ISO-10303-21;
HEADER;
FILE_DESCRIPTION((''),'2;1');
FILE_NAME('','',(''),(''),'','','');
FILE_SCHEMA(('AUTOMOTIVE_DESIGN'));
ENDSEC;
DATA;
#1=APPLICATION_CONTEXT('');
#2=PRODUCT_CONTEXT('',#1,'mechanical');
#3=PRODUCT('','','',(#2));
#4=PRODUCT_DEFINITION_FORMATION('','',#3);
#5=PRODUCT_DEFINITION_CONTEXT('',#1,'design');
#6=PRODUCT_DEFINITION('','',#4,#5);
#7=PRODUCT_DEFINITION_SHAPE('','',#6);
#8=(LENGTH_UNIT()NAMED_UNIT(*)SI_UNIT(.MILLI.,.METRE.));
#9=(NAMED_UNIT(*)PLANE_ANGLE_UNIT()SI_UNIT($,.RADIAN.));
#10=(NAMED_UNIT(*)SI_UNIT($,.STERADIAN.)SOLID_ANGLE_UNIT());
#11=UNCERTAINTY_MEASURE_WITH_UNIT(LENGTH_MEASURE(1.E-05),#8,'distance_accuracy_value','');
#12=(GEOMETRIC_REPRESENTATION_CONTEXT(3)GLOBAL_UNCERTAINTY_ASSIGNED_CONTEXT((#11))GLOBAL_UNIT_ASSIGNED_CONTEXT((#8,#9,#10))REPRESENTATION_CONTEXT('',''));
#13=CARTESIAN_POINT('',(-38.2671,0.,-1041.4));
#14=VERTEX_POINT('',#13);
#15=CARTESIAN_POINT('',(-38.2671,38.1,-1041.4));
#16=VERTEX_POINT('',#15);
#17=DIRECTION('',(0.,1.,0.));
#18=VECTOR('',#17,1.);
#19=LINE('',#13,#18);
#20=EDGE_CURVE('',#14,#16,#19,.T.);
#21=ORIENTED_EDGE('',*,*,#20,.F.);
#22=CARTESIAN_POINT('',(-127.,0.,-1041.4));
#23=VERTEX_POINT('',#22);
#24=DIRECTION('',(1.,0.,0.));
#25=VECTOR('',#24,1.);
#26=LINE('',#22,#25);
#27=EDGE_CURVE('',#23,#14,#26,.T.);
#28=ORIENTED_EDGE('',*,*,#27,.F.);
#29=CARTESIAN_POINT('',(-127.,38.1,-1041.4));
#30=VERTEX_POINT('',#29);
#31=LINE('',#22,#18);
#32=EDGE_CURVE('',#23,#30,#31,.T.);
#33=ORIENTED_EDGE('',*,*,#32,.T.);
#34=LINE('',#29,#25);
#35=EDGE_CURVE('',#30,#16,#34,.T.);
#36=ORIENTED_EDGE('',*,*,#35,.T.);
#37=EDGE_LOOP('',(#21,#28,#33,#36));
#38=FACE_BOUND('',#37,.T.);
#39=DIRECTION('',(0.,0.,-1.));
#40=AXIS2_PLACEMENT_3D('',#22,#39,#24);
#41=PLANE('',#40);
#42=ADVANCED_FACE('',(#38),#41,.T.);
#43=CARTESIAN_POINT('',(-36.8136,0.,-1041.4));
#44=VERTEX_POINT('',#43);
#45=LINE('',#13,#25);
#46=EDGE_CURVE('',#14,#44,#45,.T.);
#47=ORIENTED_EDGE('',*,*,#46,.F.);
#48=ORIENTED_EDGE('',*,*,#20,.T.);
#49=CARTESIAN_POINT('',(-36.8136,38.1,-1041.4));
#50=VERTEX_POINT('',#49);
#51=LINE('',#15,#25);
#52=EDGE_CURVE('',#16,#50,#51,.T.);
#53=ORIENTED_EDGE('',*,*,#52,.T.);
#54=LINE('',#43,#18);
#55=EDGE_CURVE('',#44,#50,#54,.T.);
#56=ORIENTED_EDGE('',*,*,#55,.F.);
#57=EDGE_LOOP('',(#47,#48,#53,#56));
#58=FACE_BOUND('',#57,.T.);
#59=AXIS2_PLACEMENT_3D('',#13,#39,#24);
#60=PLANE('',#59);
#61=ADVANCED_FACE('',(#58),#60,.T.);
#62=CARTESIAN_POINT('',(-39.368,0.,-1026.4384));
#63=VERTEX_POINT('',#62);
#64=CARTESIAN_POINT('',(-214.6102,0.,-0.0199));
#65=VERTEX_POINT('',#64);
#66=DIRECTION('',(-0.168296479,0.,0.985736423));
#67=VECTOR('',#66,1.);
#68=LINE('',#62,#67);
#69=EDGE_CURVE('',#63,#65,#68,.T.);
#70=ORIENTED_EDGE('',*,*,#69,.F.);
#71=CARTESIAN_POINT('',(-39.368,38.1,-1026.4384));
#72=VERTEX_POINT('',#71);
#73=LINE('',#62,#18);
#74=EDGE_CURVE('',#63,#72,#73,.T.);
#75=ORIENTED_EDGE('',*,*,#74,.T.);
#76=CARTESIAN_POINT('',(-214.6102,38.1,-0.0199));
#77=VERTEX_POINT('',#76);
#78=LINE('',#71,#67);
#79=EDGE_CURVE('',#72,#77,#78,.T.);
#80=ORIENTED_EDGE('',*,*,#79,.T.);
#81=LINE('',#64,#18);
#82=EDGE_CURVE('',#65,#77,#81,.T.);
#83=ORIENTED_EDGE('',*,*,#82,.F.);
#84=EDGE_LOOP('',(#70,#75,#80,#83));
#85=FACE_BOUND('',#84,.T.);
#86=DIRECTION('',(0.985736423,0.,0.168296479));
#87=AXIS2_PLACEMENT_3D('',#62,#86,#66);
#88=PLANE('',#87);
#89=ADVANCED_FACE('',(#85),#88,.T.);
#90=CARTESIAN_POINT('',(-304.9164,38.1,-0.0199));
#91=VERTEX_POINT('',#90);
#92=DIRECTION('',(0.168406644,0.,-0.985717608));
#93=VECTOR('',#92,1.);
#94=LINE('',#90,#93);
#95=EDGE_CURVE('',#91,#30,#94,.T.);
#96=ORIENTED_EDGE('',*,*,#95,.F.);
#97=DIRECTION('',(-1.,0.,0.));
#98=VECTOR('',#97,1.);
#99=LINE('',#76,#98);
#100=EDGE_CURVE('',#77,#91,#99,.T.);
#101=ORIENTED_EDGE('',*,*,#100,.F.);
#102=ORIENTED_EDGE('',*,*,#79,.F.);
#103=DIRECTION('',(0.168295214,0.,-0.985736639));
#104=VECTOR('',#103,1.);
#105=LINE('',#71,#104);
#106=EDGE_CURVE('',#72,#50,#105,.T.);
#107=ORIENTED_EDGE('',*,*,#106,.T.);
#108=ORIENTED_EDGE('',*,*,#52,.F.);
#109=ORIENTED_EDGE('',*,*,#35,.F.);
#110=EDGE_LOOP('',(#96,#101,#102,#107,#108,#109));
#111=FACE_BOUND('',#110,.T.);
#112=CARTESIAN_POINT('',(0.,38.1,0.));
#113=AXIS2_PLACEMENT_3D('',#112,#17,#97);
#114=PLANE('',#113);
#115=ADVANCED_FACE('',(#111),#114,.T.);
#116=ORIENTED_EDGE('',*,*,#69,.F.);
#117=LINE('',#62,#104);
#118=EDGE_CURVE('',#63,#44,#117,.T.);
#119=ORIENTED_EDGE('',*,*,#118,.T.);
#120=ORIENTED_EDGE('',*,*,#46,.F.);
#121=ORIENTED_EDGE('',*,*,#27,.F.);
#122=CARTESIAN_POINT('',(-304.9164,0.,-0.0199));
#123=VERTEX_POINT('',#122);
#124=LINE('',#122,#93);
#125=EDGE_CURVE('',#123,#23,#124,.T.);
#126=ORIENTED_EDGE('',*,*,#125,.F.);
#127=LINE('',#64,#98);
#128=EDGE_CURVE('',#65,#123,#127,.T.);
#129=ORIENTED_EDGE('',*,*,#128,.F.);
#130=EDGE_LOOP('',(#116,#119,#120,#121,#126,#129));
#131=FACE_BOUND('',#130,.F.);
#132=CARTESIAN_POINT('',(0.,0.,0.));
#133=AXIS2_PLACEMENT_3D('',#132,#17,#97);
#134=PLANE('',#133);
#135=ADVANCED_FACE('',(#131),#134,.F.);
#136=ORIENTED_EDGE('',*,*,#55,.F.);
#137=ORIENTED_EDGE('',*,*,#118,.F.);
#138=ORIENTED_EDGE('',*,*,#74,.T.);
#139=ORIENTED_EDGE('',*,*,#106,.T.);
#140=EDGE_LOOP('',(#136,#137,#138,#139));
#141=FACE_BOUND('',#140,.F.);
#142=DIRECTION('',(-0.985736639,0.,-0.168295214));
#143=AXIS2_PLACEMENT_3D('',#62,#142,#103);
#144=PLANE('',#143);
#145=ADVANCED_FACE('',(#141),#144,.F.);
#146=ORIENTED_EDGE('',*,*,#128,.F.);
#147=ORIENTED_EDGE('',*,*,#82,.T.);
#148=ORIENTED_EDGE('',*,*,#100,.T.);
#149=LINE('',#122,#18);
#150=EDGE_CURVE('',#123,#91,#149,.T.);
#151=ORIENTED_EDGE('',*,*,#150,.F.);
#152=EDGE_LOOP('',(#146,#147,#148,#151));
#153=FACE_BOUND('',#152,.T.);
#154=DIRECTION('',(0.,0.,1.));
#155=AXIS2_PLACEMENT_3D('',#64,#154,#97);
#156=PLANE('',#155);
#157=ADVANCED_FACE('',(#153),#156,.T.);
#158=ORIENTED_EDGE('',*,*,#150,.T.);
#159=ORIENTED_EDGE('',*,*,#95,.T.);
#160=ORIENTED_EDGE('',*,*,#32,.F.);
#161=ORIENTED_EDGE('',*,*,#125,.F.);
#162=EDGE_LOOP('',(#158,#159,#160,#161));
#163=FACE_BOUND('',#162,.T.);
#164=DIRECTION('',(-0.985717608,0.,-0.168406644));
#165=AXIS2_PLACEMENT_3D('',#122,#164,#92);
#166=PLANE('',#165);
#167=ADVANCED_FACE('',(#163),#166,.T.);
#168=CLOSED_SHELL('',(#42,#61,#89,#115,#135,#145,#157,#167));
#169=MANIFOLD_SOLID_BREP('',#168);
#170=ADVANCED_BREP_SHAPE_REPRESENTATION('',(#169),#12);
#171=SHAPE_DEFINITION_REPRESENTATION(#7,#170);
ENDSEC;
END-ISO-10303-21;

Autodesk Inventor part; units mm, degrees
ref_plane "YZ Plane" through (0, 0, 0) normal (1, 0, 0) x (0, 1, 0)
ref_plane "XZ Plane" through (0, 0, 0) normal (0, 1, 0) x (-1, 0, 0)
ref_plane "XY Plane" through (0, 0, 0) normal (0, 0, 1) x (1, 0, 0)
sketch "Sketch1" plane through (0, 0, 0) normal (0, 1, 0) x (-1, 0, 0)
  line L0 (214.6102, -0.0199) -> (304.9164, -0.0199)
  line L1 (304.9164, -0.0199) -> (214.6102, -0.0199)
  line L2 (304.9164, -0.0199) -> (127, -1041.4)
  line L3 (127, -1041.4) -> (38.2671, -1041.4)
  line L4 (39.368, -1026.4384) -> (214.6102, -0.0199)
  line L5 (38.2671, -1041.4) -> (36.8136, -1041.4)
  line L6 (39.368, -1026.4384) -> (36.8136, -1041.4)
  point P0 (0, 0)
extrude "Extrusion1" add sketch "Sketch1" along normal blind 38.1
properties part number "S_2x4x48.76"
